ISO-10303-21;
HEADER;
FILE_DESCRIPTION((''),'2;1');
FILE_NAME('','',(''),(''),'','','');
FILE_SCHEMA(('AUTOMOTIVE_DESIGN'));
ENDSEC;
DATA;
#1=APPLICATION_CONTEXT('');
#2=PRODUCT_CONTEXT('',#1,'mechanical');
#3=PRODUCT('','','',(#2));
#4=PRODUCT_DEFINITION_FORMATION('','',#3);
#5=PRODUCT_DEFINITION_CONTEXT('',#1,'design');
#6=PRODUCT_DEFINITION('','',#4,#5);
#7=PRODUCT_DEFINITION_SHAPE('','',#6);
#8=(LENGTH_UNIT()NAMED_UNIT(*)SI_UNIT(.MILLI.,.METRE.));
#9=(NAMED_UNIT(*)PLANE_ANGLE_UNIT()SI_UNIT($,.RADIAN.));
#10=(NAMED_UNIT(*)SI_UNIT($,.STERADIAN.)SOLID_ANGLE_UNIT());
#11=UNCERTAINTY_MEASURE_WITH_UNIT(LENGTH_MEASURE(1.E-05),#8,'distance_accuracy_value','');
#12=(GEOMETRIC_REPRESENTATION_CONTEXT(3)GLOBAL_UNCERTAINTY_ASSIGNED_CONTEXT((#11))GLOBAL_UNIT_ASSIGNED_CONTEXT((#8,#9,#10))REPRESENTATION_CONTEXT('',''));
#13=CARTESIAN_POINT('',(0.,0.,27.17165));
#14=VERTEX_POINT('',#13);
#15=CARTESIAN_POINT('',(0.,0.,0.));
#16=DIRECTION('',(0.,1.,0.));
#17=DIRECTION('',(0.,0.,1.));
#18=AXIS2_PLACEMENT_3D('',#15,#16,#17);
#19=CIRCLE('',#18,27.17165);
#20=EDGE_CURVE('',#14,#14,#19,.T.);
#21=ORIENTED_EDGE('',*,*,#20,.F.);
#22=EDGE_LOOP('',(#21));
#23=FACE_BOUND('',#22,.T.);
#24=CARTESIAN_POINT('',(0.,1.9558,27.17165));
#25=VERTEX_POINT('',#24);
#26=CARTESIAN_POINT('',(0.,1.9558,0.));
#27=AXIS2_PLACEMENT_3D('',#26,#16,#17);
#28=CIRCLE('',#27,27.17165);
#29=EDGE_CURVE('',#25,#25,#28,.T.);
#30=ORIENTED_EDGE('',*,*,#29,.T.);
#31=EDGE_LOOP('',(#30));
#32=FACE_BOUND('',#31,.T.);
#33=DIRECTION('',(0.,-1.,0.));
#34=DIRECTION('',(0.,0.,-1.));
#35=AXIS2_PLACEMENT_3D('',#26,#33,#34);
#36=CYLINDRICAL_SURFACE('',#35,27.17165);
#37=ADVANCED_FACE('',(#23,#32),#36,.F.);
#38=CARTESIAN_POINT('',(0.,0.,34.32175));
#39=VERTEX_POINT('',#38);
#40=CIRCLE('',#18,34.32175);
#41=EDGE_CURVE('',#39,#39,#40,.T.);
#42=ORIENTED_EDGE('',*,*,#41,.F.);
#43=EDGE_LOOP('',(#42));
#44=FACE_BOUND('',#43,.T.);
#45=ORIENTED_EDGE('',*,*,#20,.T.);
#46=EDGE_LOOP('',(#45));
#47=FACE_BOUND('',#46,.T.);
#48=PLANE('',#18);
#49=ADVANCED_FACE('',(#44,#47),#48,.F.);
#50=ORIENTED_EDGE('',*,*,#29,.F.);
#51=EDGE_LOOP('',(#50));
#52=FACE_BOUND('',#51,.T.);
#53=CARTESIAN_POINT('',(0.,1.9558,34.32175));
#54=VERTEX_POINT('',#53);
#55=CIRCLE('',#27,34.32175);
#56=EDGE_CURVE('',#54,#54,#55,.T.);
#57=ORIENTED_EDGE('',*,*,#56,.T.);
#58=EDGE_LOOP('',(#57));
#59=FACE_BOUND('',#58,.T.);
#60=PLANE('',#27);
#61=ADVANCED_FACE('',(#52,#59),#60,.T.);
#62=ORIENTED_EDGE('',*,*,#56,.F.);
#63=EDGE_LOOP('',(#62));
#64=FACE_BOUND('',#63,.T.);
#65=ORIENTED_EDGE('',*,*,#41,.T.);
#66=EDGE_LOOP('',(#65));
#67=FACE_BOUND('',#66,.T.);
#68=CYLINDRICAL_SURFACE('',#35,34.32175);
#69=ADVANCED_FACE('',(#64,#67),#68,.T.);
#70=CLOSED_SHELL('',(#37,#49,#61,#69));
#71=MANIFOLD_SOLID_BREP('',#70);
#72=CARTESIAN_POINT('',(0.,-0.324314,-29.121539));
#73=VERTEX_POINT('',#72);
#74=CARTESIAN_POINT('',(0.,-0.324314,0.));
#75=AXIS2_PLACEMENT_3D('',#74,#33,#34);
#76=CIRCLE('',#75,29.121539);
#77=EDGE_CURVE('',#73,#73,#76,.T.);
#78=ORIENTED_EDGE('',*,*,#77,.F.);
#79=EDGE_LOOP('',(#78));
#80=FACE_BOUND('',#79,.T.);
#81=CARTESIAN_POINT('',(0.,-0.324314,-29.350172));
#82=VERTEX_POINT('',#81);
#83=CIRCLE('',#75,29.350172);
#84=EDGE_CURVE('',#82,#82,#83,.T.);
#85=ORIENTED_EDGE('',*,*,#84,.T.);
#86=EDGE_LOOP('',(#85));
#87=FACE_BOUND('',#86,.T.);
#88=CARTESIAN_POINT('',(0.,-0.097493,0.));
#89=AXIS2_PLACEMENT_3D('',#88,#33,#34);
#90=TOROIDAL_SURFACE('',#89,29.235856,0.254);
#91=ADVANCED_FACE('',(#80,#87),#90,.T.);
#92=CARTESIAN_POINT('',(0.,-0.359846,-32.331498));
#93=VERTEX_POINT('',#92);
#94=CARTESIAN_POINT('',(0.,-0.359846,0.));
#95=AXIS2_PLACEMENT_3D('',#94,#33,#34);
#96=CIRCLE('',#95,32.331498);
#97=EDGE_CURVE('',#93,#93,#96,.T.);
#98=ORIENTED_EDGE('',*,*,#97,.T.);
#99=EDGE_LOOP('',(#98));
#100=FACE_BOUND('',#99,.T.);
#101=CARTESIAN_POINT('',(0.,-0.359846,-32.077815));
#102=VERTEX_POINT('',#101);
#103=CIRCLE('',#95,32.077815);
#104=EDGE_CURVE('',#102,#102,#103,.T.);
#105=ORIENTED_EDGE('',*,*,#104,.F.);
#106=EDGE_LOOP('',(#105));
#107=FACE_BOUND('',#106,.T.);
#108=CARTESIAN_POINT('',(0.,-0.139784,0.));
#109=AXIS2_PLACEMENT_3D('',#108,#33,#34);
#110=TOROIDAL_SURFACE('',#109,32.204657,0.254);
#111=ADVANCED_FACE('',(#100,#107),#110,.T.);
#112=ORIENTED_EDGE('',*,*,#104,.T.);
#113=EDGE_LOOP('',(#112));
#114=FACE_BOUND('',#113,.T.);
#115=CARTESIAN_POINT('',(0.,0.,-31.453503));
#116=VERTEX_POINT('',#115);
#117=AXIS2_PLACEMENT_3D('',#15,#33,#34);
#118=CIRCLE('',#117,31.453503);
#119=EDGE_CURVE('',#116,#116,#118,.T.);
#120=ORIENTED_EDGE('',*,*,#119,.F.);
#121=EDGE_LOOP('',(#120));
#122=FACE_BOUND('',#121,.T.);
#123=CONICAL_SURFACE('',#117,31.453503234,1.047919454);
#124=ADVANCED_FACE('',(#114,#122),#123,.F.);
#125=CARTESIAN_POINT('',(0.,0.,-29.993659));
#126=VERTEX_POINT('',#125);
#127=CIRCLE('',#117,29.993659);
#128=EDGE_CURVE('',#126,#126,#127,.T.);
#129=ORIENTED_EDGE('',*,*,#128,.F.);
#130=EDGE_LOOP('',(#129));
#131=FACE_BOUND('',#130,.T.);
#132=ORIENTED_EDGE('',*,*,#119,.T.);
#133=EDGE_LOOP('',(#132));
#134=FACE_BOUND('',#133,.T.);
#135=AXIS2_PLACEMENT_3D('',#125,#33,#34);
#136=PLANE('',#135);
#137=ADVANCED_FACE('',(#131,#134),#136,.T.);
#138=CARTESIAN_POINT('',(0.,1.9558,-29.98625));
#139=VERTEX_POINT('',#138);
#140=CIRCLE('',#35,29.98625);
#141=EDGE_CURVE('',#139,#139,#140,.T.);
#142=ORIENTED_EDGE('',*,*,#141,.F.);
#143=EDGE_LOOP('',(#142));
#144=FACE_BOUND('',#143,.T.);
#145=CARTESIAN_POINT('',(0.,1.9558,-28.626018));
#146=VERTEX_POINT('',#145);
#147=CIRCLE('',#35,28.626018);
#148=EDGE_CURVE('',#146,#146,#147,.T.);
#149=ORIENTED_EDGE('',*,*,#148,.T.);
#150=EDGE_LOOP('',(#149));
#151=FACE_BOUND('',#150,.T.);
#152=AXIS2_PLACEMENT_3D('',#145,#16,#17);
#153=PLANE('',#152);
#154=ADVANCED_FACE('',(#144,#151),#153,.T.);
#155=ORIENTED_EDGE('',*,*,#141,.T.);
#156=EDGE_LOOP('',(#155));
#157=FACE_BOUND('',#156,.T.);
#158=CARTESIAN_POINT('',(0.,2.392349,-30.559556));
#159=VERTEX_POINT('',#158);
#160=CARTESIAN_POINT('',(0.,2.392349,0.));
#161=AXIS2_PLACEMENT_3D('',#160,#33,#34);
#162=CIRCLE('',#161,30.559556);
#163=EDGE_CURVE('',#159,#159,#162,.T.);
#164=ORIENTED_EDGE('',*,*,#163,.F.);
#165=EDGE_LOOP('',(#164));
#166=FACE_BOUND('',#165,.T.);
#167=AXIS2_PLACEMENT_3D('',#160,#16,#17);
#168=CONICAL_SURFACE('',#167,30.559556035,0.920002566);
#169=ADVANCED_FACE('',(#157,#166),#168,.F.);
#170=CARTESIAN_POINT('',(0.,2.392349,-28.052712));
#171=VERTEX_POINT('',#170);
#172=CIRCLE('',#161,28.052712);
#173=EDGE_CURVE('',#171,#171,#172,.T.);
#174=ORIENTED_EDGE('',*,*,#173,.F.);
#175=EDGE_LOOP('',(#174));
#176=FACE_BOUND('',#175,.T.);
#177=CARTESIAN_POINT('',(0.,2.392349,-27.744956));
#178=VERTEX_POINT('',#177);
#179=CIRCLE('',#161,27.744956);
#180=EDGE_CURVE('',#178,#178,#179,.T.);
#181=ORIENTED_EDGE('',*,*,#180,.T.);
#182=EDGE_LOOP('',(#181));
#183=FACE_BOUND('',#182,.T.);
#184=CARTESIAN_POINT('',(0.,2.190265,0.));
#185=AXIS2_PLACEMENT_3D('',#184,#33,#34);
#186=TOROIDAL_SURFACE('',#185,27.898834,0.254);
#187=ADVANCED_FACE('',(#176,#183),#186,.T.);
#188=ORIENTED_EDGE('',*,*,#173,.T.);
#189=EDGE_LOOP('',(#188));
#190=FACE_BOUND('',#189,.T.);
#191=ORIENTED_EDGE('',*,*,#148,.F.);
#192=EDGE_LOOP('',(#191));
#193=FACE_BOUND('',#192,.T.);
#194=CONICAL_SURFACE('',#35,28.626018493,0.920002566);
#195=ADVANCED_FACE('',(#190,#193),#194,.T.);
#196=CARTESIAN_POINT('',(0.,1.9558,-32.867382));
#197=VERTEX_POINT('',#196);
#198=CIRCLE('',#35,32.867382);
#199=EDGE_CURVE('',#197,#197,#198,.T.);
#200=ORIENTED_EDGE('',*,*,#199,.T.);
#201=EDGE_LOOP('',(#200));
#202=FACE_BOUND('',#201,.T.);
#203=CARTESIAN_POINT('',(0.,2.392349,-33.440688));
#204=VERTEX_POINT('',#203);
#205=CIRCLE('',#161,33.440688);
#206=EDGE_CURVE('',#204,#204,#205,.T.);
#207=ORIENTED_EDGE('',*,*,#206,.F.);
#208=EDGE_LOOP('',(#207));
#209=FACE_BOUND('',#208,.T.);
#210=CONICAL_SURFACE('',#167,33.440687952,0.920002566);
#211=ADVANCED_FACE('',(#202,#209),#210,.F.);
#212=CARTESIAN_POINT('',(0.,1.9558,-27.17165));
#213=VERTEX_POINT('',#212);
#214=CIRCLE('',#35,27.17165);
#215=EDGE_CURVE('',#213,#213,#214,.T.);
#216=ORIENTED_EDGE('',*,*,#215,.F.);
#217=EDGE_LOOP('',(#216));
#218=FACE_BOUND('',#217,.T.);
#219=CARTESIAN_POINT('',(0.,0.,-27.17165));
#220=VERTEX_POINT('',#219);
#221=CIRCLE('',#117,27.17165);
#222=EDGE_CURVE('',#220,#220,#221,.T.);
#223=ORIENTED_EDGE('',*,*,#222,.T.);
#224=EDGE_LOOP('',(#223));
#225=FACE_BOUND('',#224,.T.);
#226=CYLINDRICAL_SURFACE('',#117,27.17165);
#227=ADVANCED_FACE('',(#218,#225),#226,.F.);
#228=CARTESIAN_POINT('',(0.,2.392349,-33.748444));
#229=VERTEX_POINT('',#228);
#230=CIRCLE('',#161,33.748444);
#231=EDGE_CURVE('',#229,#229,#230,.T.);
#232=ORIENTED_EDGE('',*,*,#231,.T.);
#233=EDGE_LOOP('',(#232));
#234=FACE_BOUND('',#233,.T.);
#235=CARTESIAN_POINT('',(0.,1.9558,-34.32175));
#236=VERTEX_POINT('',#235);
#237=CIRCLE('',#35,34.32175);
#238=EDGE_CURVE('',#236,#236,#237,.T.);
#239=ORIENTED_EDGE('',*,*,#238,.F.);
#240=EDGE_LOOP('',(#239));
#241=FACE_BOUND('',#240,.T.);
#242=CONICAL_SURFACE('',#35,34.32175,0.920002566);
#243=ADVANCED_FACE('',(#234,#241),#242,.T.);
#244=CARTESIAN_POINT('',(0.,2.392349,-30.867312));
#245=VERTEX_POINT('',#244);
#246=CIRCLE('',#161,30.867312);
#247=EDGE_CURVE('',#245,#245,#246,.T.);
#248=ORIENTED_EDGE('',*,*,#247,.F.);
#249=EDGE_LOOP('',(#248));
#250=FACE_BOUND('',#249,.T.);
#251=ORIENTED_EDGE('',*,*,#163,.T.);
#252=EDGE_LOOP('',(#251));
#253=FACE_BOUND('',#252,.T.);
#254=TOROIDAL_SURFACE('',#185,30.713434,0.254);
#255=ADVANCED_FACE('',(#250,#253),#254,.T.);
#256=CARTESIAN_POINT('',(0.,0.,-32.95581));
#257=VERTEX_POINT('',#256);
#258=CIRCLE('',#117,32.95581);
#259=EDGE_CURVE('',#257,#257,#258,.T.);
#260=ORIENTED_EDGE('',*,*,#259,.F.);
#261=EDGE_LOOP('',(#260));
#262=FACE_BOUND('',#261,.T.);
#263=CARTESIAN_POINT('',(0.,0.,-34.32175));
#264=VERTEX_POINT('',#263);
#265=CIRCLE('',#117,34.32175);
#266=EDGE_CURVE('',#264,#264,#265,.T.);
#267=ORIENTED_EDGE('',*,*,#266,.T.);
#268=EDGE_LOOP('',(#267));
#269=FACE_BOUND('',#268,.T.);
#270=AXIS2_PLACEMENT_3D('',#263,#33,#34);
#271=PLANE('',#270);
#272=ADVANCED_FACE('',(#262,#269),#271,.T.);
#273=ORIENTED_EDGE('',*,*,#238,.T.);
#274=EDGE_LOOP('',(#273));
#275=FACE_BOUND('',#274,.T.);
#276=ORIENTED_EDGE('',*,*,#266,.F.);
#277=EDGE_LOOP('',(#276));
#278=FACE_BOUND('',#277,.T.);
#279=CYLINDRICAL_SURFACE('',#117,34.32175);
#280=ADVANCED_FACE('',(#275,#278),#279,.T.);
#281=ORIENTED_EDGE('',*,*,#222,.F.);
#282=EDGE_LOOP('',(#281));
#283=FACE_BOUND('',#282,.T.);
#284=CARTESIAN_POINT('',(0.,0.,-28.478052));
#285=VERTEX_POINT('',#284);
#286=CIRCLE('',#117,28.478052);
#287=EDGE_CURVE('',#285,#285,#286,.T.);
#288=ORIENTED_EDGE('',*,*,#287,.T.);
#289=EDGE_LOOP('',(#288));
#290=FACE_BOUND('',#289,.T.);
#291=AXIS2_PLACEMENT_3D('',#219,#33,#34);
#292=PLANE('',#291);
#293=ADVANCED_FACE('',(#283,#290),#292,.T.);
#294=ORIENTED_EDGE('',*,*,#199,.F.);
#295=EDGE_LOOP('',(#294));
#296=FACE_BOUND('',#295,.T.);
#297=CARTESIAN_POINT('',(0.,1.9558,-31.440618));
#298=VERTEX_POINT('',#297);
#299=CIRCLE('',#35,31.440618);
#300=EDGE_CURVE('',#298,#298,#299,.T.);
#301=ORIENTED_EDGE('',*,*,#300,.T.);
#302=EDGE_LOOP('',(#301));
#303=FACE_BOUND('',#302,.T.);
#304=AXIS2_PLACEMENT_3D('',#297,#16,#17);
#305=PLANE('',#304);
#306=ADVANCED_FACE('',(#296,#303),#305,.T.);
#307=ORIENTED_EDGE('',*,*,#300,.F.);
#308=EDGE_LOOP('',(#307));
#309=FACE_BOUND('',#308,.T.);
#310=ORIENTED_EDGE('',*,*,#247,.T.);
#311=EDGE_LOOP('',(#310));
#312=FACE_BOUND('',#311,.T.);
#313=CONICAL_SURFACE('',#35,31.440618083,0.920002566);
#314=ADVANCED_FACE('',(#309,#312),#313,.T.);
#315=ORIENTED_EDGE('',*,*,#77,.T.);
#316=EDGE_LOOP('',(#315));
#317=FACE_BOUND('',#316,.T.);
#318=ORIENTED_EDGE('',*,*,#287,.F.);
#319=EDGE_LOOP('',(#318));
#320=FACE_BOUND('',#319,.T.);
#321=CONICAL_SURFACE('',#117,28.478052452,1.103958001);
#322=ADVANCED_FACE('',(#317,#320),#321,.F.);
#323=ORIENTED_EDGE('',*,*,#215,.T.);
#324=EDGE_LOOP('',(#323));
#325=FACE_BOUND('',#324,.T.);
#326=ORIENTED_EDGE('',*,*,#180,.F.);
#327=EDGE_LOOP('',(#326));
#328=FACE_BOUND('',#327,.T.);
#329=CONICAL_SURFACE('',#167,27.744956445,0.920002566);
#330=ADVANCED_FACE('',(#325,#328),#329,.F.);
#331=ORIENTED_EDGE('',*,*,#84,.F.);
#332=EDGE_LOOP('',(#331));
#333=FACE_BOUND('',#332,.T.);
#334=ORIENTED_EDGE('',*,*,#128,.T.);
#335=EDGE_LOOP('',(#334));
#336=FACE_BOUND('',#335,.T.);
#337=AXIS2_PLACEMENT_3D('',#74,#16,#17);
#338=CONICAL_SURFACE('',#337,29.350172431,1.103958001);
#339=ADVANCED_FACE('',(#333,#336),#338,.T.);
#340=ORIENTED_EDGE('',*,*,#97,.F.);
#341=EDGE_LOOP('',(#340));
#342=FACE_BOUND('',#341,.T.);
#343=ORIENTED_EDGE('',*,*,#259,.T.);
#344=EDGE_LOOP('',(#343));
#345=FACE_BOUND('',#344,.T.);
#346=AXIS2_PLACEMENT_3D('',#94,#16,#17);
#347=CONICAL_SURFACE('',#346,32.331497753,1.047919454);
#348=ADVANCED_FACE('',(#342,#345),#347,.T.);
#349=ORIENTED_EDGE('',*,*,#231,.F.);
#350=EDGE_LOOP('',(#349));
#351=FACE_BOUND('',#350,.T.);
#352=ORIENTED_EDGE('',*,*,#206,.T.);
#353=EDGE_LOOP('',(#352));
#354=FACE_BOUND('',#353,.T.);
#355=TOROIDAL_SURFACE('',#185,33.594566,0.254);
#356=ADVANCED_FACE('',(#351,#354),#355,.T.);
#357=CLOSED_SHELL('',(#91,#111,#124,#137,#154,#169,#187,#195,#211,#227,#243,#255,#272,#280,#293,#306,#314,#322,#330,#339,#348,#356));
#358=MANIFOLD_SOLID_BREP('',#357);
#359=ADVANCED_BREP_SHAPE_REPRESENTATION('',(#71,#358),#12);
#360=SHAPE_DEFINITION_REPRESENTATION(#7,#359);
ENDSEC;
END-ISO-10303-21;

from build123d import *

# Parameters (mm, degrees)
SKETCH1_R           = 34.32175
SKETCH1_R_2         = 27.17165
BOSS_EXTRUDE1_DEPTH = 1.9558


with BuildPart() as part:
    # Sketch1 → Boss-Extrude1 (new body)
    with BuildSketch(Plane(origin=(0, 0, 0), x_dir=(1, 0, 0), z_dir=(0, 1, 0))):
        Circle(SKETCH1_R)
        Circle(SKETCH1_R_2, mode=Mode.SUBTRACT)
    extrude(amount=BOSS_EXTRUDE1_DEPTH)


with BuildPart() as body_2:
    # Sketch2 → Revolve1 (revolve)
    with BuildSketch(Plane(origin=(0, 0, 0), x_dir=(0, 0, -1), z_dir=(1, 0, 0))):
        with BuildLine():
            Line((34.32175, 1.9558), (34.32175, 0))
            Line((34.32175, 0), (32.955809933, 0))
            Line((32.955809933, 0), (32.331497753, -0.359846132))
            ThreePointArc((32.331497753, -0.359846132), (32.204656583, -0.393784055), (32.077815414, -0.359846132))
            Line((32.077815414, -0.359846132), (31.453503234, 0))
            Line((31.453503234, 0), (29.993659299, 0))
            Line((29.993659299, 0), (29.350172431, -0.324314024))
            ThreePointArc((29.350172431, -0.324314024), (29.235855876, -0.351493114), (29.121539321, -0.324314024))
            Line((29.121539321, -0.324314024), (28.478052452, 0))
            Line((28.478052452, 0), (27.17165, 0))
            Line((27.17165, 0), (27.17165, 1.9558))
            Line((27.17165, 1.9558), (27.744956445, 2.392348573))
            ThreePointArc((27.744956445, 2.392348573), (27.898834246, 2.444265366), (28.052712048, 2.392348573))
            Line((28.052712048, 2.392348573), (28.626018493, 1.9558))
            Line((28.626018493, 1.9558), (29.98624959, 1.9558))
            Line((29.98624959, 1.9558), (30.559556035, 2.392348573))
            ThreePointArc((30.559556035, 2.392348573), (30.713433836, 2.444265366), (30.867311638, 2.392348573))
            Line((30.867311638, 2.392348573), (31.440618083, 1.9558))
            Line((31.440618083, 1.9558), (32.867381507, 1.9558))
            Line((32.867381507, 1.9558), (33.440687952, 2.392348573))
            ThreePointArc((33.440687952, 2.392348573), (33.594565754, 2.444265366), (33.748443555, 2.392348573))
            Line((33.748443555, 2.392348573), (34.32175, 1.9558))
        make_face()
    revolve(axis=Axis((0, 0, 0), (0, 1, 0)))


solid = Compound([part.part, body_2.part])
